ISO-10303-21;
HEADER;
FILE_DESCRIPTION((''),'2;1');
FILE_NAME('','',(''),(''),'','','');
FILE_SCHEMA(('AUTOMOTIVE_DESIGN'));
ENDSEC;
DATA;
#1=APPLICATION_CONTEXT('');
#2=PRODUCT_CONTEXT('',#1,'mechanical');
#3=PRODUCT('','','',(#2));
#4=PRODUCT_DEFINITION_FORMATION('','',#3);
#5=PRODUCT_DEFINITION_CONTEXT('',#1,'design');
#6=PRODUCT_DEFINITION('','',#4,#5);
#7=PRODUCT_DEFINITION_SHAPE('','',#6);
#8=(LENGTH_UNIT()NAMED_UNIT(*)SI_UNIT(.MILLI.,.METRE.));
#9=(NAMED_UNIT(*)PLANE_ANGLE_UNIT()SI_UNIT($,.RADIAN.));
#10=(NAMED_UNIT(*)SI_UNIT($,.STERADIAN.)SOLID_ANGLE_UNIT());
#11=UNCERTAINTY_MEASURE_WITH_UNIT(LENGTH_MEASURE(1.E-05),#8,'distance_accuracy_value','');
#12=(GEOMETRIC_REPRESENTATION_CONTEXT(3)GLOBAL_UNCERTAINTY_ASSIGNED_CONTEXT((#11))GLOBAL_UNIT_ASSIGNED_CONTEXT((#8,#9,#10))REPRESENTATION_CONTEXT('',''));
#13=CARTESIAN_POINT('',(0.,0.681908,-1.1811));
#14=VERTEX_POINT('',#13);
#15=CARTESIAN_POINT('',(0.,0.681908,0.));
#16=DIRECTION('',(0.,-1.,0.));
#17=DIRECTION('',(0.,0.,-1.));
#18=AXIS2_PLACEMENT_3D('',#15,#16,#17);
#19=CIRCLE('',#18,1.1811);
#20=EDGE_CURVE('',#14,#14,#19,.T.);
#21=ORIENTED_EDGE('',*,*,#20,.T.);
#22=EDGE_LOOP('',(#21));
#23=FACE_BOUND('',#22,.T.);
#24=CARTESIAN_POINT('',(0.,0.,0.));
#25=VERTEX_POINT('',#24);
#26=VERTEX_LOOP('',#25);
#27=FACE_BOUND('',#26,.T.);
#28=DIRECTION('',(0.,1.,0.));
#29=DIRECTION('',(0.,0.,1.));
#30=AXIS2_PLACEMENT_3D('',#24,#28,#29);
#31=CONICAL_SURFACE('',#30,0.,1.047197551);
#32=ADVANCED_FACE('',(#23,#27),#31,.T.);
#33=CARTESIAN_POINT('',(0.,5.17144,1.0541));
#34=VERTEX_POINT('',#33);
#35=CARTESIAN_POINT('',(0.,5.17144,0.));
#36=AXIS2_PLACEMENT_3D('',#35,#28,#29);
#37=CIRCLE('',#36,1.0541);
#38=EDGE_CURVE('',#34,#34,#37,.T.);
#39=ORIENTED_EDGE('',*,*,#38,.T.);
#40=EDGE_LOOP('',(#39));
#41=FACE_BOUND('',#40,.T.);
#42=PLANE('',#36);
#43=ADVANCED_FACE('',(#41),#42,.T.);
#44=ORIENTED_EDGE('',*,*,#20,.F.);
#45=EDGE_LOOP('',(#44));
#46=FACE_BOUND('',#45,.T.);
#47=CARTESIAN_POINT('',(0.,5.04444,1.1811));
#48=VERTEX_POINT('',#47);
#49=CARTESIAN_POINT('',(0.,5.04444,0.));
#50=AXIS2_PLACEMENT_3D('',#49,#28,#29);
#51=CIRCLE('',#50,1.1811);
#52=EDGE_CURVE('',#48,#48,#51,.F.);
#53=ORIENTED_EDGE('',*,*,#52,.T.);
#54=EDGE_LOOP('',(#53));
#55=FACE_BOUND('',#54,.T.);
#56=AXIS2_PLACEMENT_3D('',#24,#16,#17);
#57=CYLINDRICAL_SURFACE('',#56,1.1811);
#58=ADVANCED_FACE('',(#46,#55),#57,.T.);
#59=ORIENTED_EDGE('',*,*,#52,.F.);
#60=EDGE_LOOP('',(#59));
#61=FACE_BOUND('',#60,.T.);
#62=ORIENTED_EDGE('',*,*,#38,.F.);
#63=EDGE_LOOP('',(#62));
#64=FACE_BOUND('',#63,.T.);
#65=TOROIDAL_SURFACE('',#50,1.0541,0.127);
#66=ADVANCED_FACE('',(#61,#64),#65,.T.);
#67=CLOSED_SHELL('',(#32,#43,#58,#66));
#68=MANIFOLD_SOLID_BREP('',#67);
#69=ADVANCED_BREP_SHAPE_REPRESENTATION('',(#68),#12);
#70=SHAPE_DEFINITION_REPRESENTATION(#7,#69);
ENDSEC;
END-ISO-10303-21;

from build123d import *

# Parameters (mm, degrees)
FILLET1_R = 0.127


with BuildPart() as part:
    # Sketch1 → Revolve1 (revolve)
    with BuildSketch(Plane.XY, mode=Mode.PRIVATE) as revolve1_sk:
        Polygon((0, 5.17144), (1.1811, 5.17144), (1.1811, 0.681908403), (0, 0), align=None)
    revolve(revolve1_sk.sketch.rotate(Axis((0, 0, 0), (0, 1, 0)), 90), axis=Axis((0, 0, 0), (0, 1, 0)))

    # Fillet1
    fillet1_edges = [part.edges().sort_by_distance(p)[0] for p in [
        (0, 5.17144, 1.1811),
    ]]
    fillet(fillet1_edges, radius=FILLET1_R)


solid = part.part
